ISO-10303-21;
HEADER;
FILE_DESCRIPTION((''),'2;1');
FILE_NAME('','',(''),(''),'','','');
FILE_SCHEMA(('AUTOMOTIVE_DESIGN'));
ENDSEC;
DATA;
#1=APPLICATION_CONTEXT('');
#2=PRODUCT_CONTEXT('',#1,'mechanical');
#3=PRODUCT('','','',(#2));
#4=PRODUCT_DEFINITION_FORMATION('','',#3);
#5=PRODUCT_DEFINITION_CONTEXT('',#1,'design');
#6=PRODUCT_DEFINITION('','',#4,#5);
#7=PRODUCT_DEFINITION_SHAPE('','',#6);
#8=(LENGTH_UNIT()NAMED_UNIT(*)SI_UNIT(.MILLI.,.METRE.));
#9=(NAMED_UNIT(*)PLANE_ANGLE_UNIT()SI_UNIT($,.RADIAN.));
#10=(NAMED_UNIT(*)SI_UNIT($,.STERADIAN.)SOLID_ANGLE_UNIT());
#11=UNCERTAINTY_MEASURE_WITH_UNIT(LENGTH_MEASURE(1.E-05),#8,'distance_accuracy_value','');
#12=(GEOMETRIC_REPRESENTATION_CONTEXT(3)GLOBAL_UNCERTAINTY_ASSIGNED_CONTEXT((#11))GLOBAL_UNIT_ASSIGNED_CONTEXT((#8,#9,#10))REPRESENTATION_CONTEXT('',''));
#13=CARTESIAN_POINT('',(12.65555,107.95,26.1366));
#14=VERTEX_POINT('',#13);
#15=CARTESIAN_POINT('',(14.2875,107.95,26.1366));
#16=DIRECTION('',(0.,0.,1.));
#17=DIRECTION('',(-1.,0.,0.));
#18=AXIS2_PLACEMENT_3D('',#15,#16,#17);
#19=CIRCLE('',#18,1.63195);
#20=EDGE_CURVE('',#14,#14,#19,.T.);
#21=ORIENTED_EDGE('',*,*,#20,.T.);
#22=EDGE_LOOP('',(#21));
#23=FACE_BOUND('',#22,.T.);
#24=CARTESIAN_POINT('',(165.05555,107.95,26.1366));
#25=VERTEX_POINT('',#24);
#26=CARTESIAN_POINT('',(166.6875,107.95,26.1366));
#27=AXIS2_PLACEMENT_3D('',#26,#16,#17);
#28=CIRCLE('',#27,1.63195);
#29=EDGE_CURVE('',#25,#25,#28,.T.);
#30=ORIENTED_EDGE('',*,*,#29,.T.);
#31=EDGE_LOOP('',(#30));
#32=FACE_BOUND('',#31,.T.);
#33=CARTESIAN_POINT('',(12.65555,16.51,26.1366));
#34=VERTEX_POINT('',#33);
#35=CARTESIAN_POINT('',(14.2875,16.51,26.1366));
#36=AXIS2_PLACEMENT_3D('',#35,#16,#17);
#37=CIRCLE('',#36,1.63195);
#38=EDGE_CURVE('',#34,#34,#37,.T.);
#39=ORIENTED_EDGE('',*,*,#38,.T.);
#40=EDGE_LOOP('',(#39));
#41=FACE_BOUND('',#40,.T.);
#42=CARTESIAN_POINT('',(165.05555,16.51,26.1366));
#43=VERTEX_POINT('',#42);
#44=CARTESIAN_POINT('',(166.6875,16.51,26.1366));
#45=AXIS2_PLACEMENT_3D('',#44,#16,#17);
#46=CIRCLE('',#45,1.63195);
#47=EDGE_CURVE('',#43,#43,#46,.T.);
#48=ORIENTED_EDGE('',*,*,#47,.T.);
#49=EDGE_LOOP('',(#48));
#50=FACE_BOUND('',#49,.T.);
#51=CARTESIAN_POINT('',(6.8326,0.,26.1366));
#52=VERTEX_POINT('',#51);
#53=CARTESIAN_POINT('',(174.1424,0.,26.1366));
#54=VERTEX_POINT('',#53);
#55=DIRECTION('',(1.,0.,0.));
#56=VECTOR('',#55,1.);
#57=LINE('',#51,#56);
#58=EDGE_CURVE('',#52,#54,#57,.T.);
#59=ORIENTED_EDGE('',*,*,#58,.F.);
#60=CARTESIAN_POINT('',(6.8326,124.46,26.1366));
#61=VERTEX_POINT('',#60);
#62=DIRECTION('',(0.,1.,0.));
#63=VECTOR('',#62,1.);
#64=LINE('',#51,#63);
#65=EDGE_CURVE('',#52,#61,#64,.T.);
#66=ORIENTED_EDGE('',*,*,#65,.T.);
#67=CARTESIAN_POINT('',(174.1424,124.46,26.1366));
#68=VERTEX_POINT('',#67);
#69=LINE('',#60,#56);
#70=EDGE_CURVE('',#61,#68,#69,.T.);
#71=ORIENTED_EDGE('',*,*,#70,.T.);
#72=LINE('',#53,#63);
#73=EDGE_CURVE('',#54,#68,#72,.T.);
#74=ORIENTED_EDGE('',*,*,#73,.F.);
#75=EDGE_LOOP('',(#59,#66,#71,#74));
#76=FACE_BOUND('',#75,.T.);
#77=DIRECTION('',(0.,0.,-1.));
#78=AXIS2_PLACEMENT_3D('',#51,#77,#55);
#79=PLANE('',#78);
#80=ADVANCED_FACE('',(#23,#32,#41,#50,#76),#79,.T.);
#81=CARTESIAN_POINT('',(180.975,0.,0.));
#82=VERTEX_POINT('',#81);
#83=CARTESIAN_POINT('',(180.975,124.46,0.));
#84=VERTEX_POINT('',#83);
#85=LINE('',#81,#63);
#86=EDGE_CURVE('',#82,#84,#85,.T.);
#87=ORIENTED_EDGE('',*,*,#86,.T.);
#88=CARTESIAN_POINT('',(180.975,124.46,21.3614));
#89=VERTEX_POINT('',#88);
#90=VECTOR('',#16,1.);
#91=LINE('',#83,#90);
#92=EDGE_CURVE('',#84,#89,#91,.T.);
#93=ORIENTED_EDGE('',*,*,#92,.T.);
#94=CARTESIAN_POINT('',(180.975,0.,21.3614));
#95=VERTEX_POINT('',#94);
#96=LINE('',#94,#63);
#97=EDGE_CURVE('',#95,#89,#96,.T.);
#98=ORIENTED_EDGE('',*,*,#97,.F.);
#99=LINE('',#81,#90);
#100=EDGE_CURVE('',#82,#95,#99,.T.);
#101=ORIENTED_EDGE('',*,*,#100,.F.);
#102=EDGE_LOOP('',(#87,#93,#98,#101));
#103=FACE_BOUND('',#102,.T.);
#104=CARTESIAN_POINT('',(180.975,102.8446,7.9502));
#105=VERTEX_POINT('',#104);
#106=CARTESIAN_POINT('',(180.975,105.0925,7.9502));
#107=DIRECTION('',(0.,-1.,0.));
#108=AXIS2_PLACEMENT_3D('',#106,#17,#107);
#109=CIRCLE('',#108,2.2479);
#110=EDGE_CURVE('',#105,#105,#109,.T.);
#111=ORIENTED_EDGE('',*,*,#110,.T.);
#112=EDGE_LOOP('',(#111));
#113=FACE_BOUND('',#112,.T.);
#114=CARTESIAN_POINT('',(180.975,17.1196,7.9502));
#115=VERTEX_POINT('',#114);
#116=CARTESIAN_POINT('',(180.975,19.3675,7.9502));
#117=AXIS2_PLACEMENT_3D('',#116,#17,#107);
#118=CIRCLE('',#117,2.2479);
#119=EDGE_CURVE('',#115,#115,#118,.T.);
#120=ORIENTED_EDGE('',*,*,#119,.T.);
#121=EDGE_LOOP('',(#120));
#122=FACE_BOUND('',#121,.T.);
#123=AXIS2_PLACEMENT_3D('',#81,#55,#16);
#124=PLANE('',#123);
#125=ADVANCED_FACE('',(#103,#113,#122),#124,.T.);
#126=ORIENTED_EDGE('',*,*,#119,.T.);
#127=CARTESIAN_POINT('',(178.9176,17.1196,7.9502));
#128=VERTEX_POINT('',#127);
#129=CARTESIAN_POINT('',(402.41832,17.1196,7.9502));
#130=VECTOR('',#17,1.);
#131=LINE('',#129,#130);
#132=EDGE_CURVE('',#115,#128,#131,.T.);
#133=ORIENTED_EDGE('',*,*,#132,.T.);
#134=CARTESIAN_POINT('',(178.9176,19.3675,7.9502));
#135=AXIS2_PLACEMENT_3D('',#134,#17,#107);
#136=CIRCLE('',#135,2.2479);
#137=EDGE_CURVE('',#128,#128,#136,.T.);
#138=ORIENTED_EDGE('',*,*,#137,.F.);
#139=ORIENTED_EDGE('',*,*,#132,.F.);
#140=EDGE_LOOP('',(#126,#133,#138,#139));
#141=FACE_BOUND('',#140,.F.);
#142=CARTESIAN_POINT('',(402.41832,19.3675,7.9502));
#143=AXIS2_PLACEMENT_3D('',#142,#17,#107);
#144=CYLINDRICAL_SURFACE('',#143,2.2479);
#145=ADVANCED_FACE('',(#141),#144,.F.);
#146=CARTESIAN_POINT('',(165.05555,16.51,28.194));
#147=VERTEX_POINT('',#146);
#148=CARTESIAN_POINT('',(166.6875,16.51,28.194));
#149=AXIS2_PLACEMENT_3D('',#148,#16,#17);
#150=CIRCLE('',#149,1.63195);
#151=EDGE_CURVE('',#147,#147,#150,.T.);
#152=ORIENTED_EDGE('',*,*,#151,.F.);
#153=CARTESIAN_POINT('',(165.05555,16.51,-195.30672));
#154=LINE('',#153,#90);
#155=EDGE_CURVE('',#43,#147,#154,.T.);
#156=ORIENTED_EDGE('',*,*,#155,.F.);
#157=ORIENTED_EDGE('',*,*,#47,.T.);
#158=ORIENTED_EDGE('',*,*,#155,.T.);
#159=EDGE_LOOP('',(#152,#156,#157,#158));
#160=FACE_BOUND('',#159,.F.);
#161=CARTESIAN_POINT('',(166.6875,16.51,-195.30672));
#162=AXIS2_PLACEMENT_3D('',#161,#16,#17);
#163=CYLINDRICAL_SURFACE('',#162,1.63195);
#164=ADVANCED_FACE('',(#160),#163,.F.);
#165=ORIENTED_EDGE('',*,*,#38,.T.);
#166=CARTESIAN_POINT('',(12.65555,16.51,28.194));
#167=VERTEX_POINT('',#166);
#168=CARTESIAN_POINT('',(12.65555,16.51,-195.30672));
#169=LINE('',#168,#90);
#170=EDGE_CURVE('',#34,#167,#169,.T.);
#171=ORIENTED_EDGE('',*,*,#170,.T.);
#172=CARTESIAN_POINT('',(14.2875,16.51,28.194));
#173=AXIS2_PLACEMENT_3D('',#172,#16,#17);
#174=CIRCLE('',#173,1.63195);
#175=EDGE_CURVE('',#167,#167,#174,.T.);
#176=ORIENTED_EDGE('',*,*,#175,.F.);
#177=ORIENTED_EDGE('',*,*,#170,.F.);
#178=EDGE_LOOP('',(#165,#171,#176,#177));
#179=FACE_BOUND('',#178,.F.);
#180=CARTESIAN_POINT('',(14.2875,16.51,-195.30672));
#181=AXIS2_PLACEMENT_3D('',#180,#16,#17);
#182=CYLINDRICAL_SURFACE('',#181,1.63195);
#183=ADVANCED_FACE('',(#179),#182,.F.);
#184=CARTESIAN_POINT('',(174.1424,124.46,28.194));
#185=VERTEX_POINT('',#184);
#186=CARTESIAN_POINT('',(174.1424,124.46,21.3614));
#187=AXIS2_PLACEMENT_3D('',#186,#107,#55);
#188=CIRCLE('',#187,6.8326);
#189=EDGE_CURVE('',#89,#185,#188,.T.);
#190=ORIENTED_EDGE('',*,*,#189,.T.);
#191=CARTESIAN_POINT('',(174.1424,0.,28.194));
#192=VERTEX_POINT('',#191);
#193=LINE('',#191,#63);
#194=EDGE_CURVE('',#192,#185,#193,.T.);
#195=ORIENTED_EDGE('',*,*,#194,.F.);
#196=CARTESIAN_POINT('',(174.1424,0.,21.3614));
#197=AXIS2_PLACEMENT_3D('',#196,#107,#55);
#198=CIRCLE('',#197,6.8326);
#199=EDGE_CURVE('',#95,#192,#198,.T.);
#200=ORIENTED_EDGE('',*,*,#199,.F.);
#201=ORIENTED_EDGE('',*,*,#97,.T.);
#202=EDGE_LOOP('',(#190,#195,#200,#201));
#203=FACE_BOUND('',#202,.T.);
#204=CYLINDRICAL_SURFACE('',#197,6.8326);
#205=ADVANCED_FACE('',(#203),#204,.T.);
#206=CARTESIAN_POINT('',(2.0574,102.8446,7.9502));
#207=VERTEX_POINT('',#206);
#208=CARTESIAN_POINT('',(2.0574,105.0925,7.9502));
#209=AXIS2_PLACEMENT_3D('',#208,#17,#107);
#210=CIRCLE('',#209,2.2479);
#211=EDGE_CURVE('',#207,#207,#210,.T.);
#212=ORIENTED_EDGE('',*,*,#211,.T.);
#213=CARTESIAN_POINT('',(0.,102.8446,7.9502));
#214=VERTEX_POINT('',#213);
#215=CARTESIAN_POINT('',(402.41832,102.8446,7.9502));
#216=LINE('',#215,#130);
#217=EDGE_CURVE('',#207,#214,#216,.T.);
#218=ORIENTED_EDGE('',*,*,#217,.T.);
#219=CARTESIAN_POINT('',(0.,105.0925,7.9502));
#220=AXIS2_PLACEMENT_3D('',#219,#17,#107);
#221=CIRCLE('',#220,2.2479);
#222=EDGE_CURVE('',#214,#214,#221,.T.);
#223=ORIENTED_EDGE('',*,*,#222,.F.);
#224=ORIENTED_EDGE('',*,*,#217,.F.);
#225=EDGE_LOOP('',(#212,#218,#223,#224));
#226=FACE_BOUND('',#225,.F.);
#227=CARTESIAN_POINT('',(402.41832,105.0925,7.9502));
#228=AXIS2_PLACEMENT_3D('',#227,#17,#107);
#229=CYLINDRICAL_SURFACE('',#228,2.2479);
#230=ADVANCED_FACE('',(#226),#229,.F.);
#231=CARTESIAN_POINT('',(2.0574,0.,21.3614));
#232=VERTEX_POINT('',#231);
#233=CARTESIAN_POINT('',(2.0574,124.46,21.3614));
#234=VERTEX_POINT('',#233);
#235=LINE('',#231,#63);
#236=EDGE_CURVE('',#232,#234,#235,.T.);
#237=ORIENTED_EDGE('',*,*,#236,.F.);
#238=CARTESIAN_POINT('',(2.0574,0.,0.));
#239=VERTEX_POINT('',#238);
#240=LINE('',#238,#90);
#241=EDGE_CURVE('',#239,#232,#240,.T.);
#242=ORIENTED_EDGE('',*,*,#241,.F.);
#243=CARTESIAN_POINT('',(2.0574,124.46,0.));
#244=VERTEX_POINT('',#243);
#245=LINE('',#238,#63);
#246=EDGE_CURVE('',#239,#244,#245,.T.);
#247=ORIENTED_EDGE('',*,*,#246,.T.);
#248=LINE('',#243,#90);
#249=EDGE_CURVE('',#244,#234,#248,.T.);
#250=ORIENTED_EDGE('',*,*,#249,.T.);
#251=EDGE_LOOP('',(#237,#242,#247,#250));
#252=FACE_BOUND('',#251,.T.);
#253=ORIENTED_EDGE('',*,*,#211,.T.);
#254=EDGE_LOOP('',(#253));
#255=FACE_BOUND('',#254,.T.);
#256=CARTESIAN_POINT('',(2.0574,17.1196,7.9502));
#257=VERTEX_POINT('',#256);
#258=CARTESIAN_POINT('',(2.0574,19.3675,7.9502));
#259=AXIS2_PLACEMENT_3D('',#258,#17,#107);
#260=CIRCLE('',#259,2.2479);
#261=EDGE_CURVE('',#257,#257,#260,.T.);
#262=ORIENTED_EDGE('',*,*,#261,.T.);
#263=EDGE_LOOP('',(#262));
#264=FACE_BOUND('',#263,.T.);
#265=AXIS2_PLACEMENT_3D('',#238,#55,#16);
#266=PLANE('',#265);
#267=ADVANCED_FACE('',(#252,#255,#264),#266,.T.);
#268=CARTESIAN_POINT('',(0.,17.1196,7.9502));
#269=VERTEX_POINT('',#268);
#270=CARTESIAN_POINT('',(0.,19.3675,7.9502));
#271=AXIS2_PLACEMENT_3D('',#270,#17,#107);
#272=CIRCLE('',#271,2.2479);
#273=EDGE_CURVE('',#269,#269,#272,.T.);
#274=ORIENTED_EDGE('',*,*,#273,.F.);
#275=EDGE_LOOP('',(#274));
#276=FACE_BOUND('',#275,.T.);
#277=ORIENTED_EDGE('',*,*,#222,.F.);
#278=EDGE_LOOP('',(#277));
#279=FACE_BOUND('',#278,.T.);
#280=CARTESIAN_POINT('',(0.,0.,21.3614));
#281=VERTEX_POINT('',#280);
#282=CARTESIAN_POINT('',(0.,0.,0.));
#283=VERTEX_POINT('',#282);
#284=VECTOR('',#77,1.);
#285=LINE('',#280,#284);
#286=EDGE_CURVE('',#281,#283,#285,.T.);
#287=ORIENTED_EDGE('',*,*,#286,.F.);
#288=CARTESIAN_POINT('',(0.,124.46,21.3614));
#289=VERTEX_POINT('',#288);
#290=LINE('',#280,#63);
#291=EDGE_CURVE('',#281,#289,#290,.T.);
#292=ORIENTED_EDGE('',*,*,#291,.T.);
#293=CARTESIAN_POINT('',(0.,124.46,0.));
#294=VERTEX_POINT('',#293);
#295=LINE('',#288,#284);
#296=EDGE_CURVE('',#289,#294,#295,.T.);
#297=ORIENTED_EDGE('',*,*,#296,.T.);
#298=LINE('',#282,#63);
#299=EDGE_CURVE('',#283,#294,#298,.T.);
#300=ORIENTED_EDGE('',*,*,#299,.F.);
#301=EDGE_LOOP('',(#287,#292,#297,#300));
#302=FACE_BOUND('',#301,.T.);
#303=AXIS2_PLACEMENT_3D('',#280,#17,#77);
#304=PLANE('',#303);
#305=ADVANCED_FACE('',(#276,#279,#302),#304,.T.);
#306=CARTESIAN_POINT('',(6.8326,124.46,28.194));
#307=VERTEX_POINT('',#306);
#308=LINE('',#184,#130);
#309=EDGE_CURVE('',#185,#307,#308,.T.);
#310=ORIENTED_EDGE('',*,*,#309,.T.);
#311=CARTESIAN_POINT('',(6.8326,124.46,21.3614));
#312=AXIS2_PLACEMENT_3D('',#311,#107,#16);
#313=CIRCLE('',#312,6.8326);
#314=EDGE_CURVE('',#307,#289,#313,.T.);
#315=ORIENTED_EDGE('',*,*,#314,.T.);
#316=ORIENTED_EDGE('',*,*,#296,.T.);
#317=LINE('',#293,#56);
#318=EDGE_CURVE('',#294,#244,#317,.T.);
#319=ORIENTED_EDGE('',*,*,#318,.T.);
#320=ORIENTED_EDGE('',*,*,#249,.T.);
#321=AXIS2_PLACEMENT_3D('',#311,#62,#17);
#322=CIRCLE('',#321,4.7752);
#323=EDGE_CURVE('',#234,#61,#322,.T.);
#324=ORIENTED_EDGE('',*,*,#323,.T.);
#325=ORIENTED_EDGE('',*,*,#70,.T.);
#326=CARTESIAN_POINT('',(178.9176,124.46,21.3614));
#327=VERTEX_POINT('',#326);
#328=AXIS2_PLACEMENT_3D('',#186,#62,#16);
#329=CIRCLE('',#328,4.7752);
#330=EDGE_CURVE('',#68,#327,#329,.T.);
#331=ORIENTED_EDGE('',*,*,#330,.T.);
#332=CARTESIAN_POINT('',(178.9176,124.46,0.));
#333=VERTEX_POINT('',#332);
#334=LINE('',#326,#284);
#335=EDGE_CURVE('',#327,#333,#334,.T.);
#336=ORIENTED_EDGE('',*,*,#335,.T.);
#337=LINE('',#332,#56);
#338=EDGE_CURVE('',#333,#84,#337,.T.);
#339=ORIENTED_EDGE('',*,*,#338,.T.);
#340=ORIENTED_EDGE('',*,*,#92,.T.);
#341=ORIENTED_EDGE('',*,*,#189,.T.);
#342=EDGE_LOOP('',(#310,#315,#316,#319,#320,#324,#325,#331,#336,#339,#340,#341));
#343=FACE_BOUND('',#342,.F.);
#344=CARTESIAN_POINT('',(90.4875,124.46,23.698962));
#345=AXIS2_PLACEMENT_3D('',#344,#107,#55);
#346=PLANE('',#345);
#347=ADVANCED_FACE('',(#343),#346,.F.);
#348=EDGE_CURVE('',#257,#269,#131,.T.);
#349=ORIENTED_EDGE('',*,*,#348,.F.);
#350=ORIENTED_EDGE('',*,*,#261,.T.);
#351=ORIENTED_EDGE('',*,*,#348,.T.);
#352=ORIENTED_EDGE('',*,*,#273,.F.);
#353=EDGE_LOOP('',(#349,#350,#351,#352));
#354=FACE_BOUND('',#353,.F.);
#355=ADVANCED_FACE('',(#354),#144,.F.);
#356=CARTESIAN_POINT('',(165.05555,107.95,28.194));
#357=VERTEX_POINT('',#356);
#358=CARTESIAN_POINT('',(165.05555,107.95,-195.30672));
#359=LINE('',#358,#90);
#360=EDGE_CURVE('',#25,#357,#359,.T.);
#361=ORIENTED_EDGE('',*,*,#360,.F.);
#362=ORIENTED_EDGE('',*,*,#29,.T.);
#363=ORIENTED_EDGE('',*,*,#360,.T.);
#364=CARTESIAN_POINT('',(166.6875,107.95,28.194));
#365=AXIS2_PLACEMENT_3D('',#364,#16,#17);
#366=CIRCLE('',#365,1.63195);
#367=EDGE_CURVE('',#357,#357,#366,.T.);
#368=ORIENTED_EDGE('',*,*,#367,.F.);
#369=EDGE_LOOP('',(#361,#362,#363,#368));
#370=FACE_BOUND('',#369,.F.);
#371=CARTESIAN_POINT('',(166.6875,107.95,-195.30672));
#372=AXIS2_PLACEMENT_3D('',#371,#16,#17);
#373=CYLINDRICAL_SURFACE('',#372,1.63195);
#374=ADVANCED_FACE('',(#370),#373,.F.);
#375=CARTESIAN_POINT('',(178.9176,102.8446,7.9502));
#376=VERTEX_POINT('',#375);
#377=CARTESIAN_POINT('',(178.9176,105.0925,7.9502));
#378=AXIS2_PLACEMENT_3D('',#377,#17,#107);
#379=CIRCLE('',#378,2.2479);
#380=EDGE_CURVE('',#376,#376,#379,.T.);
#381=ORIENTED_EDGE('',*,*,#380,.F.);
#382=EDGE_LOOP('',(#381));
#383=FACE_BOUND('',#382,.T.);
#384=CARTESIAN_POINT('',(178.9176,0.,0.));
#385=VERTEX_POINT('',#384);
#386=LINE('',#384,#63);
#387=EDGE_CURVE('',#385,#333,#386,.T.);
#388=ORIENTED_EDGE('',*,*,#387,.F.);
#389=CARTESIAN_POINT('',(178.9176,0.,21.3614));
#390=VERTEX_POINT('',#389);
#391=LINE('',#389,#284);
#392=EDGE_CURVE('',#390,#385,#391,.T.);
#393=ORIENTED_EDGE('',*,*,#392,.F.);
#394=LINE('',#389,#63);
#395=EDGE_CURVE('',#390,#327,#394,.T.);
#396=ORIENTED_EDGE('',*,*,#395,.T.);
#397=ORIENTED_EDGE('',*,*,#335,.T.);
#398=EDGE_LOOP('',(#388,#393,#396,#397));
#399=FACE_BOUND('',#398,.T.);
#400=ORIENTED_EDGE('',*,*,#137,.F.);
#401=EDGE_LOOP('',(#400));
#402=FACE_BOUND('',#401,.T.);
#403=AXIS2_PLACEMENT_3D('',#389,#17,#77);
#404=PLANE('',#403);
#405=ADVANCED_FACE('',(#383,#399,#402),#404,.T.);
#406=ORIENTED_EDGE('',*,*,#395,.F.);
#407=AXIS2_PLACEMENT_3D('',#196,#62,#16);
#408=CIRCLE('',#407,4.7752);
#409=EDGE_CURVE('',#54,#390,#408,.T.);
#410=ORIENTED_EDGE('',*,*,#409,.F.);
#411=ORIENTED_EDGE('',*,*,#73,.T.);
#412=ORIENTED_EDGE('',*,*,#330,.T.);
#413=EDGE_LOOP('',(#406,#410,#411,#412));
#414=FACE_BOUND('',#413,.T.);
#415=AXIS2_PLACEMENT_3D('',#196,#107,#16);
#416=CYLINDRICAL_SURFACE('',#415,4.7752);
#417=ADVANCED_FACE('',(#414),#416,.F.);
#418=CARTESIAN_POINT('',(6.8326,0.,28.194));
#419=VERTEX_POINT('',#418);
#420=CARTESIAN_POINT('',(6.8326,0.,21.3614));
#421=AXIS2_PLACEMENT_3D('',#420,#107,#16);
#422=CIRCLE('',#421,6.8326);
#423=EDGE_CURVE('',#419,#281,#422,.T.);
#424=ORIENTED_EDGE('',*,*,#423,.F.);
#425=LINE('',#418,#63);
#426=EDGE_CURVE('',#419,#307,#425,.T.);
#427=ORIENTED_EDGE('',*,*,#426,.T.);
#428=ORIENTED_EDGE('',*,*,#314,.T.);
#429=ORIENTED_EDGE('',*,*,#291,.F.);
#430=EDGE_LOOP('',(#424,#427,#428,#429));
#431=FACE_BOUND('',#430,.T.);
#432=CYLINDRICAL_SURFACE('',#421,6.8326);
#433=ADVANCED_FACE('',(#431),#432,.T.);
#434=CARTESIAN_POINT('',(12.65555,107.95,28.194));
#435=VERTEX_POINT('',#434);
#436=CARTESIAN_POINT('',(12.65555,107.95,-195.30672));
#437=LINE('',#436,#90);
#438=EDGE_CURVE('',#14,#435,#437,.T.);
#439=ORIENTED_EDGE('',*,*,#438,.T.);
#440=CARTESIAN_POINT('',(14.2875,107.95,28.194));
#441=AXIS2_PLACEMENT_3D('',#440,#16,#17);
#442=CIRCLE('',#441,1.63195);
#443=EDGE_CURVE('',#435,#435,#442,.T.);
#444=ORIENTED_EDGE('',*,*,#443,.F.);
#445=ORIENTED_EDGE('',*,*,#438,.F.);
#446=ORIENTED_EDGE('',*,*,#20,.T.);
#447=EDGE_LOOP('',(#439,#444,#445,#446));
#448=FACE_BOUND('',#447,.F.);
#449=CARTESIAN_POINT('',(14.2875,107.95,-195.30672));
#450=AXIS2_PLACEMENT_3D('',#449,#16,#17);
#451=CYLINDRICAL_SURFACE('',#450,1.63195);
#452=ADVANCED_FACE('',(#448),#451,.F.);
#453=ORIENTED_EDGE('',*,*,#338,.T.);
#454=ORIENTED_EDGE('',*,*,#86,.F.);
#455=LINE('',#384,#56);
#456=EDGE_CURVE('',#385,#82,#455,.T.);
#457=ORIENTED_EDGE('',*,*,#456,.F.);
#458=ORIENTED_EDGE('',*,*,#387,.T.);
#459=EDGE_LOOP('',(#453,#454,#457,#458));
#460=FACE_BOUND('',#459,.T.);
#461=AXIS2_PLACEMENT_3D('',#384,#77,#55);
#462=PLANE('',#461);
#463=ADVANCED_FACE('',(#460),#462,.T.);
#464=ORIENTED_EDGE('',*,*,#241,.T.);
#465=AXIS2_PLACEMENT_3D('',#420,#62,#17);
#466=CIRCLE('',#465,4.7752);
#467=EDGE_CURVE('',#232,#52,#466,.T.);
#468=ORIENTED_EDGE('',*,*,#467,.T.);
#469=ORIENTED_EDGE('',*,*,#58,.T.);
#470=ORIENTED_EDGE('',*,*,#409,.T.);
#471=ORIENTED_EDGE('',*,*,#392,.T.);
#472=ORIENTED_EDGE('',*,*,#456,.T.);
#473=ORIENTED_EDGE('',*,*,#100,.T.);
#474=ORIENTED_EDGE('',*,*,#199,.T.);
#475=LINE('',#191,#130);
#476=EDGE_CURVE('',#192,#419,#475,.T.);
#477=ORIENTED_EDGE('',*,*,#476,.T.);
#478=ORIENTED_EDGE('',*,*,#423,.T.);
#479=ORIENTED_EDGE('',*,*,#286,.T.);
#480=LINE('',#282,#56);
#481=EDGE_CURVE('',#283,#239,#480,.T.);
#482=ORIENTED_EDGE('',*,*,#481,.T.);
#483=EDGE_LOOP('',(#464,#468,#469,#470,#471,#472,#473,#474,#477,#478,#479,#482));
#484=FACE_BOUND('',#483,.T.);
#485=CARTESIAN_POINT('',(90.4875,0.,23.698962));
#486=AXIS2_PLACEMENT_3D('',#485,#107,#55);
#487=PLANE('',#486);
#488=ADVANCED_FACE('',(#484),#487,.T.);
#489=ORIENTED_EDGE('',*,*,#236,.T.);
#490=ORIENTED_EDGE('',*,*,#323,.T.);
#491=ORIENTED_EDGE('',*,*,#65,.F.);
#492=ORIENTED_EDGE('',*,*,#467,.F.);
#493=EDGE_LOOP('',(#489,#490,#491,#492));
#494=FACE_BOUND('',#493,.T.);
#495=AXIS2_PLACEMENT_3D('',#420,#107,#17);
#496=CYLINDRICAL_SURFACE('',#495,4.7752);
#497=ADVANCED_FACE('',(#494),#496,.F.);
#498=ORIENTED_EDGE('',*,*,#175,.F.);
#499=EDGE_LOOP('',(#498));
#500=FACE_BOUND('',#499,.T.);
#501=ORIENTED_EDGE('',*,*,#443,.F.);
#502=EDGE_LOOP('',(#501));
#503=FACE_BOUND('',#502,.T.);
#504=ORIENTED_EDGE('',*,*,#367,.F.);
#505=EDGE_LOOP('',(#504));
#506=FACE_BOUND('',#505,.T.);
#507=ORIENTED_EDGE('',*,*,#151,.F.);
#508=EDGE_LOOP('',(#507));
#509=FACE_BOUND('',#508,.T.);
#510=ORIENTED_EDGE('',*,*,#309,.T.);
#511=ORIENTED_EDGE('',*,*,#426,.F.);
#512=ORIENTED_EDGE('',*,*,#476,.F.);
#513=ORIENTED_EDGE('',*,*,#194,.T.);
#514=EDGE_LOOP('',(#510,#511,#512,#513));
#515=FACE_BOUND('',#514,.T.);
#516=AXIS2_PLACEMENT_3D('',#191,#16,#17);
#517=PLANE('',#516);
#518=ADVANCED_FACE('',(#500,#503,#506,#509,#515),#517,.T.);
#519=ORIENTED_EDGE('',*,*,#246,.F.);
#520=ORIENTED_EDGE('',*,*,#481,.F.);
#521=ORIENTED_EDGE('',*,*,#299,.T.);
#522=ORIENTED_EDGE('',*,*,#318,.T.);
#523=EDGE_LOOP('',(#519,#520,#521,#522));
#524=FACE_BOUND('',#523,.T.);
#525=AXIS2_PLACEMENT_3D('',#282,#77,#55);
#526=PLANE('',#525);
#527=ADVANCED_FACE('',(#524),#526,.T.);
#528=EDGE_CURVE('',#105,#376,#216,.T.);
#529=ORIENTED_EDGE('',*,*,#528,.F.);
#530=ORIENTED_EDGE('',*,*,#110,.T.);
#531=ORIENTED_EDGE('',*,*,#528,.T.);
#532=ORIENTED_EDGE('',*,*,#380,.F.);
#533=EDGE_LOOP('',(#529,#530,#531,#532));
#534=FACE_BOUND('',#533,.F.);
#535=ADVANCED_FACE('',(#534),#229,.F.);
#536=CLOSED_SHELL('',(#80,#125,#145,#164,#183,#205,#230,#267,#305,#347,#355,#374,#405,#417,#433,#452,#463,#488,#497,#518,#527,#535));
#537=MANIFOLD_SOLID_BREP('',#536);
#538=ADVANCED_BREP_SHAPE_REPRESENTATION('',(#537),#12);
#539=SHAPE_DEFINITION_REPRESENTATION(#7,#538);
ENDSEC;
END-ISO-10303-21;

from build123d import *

# Parameters (mm, degrees)
F1_DEPTH = 124.46
F3_D     = 4.4958
F5_D     = 3.2639


with BuildPart() as f1:
    # F0 (on Front) → F1 (new body)
    with BuildSketch(Plane.XZ):
        with BuildLine():
            Line((0, 21.3614), (0, 0))
            Line((0, 0), (2.0574, 0))
            Line((2.0574, 0), (2.0574, 21.3614))
            ThreePointArc((2.0574, 21.3614), (3.4560236985, 24.7379763015), (6.8326, 26.1366))
            Line((6.8326, 26.1366), (174.1424, 26.1366))
            ThreePointArc((174.1424, 26.1366), (177.5189763015, 24.7379763015), (178.9176, 21.3614))
            Line((178.9176, 21.3614), (178.9176, 0))
            Line((178.9176, 0), (180.975, 0))
            Line((180.975, 0), (180.975, 21.3614))
            ThreePointArc((180.975, 21.3614), (178.9737777931, 26.1927777931), (174.1424, 28.194))
            Line((174.1424, 28.194), (6.8326, 28.194))
            ThreePointArc((6.8326, 28.194), (2.0012222069, 26.1927777931), (0, 21.3614))
        make_face()
    extrude(amount=-F1_DEPTH)

    # F3 (through all)
    with Locations(Plane.YZ.offset(180.975)):
        with Locations((19.3675, 7.9502), (105.0925, 7.9502)):
            Hole(F3_D / 2)

    # F5 (through all)
    with Locations(Plane(origin=(0, 0, 26.1366), x_dir=(1, 0, 0), z_dir=(0, 0, -1))):
        with Locations((14.2875, -16.51), (14.2875, -107.95), (166.6875, -16.51), (166.6875, -107.95)):
            Hole(F5_D / 2)


solid = f1.part
